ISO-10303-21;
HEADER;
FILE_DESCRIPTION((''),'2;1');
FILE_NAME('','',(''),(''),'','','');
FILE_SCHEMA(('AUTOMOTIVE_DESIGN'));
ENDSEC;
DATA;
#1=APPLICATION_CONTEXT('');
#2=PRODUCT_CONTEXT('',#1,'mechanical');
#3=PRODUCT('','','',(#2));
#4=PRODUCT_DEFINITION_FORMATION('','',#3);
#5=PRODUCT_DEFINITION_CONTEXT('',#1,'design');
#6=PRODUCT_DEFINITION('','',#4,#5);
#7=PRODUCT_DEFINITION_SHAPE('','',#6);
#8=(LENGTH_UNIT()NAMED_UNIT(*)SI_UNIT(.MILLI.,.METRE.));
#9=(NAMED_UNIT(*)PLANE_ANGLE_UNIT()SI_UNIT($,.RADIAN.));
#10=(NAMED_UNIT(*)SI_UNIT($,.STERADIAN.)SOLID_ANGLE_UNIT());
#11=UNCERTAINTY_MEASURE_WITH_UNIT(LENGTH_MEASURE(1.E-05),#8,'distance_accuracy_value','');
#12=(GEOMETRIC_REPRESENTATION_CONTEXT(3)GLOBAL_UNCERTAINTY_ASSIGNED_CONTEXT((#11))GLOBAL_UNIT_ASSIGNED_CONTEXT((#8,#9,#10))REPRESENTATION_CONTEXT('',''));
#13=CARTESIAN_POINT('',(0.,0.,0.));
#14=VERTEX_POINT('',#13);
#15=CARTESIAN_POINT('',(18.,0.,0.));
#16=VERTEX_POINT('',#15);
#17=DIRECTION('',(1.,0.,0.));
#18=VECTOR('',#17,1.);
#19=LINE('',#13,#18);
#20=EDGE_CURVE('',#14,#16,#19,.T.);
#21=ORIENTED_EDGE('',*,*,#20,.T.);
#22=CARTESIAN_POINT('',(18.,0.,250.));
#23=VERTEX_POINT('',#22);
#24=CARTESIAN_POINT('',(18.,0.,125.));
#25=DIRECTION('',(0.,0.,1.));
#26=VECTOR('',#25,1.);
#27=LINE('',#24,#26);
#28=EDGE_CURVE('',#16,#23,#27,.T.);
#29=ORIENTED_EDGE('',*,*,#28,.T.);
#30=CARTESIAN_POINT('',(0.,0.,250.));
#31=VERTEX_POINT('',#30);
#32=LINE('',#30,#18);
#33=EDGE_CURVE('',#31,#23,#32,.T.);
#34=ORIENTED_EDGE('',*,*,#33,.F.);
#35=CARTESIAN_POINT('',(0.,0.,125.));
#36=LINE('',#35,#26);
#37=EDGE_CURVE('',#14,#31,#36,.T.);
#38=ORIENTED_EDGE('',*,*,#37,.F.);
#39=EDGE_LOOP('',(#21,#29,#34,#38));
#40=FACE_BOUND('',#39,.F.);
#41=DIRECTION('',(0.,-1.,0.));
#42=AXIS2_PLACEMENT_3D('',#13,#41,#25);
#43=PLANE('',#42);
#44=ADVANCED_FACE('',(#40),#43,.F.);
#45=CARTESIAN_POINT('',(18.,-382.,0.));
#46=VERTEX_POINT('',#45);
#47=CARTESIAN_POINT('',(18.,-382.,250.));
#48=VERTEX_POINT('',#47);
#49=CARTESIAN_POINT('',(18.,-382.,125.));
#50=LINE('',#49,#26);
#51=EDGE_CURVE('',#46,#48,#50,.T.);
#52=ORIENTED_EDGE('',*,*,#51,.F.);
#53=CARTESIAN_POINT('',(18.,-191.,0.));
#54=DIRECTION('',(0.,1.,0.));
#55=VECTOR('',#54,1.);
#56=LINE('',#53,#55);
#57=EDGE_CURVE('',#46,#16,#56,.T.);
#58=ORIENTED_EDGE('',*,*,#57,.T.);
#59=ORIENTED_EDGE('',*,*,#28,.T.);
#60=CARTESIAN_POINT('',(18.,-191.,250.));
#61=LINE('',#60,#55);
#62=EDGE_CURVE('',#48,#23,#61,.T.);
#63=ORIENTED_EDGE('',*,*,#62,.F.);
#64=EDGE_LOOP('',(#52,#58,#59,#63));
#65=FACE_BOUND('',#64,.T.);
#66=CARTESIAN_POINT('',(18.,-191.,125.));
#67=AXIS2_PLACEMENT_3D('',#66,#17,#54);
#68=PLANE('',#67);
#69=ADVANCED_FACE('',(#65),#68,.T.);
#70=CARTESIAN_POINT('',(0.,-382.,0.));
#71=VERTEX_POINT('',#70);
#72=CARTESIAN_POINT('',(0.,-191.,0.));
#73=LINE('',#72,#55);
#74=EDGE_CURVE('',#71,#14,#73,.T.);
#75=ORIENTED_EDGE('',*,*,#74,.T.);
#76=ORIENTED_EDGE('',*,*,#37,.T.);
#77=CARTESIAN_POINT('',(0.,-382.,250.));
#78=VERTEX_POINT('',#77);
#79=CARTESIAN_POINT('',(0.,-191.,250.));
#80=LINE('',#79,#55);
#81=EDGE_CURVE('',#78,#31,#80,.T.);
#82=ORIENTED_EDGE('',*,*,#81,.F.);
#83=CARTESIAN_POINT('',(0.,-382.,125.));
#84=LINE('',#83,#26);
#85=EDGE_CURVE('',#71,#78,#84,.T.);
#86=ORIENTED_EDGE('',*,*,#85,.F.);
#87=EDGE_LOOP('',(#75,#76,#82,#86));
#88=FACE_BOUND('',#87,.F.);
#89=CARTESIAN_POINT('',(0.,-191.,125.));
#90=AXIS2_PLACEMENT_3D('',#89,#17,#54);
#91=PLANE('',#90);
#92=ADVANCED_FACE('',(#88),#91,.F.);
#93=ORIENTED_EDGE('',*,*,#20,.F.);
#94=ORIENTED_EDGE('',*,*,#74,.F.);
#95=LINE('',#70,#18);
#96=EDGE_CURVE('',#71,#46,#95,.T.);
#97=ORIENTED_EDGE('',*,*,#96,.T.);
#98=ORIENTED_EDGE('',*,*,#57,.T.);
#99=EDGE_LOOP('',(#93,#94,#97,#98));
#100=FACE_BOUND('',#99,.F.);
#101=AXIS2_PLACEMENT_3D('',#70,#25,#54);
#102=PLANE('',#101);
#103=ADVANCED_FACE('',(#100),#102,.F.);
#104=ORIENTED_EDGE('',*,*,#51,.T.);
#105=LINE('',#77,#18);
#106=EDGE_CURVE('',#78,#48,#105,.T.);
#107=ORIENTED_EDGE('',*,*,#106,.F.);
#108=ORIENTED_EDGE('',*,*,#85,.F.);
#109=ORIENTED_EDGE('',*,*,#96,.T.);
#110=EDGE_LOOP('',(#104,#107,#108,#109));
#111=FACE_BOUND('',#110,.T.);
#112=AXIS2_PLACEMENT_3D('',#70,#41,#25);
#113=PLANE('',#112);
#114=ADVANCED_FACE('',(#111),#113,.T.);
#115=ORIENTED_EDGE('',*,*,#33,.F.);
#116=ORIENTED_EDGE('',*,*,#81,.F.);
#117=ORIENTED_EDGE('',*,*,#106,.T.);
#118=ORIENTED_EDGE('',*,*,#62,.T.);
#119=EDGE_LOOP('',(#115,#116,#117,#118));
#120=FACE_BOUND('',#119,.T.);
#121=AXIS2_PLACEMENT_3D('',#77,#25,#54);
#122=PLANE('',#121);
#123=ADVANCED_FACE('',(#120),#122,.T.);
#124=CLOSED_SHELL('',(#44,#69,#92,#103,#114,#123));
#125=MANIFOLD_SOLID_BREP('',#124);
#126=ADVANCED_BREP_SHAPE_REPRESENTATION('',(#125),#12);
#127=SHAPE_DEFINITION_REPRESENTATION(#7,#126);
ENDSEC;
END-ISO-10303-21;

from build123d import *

# Parameters (mm, degrees)
SKETCH_W  = 382
SKETCH_H  = 250
PAD_DEPTH = 18


with BuildPart() as part:
    # Sketch → Pad (new body)
    with BuildSketch(Plane.YZ):
        with Locations((-191, 125)):
            Rectangle(SKETCH_W, SKETCH_H)
    extrude(amount=PAD_DEPTH)


solid = part.part
